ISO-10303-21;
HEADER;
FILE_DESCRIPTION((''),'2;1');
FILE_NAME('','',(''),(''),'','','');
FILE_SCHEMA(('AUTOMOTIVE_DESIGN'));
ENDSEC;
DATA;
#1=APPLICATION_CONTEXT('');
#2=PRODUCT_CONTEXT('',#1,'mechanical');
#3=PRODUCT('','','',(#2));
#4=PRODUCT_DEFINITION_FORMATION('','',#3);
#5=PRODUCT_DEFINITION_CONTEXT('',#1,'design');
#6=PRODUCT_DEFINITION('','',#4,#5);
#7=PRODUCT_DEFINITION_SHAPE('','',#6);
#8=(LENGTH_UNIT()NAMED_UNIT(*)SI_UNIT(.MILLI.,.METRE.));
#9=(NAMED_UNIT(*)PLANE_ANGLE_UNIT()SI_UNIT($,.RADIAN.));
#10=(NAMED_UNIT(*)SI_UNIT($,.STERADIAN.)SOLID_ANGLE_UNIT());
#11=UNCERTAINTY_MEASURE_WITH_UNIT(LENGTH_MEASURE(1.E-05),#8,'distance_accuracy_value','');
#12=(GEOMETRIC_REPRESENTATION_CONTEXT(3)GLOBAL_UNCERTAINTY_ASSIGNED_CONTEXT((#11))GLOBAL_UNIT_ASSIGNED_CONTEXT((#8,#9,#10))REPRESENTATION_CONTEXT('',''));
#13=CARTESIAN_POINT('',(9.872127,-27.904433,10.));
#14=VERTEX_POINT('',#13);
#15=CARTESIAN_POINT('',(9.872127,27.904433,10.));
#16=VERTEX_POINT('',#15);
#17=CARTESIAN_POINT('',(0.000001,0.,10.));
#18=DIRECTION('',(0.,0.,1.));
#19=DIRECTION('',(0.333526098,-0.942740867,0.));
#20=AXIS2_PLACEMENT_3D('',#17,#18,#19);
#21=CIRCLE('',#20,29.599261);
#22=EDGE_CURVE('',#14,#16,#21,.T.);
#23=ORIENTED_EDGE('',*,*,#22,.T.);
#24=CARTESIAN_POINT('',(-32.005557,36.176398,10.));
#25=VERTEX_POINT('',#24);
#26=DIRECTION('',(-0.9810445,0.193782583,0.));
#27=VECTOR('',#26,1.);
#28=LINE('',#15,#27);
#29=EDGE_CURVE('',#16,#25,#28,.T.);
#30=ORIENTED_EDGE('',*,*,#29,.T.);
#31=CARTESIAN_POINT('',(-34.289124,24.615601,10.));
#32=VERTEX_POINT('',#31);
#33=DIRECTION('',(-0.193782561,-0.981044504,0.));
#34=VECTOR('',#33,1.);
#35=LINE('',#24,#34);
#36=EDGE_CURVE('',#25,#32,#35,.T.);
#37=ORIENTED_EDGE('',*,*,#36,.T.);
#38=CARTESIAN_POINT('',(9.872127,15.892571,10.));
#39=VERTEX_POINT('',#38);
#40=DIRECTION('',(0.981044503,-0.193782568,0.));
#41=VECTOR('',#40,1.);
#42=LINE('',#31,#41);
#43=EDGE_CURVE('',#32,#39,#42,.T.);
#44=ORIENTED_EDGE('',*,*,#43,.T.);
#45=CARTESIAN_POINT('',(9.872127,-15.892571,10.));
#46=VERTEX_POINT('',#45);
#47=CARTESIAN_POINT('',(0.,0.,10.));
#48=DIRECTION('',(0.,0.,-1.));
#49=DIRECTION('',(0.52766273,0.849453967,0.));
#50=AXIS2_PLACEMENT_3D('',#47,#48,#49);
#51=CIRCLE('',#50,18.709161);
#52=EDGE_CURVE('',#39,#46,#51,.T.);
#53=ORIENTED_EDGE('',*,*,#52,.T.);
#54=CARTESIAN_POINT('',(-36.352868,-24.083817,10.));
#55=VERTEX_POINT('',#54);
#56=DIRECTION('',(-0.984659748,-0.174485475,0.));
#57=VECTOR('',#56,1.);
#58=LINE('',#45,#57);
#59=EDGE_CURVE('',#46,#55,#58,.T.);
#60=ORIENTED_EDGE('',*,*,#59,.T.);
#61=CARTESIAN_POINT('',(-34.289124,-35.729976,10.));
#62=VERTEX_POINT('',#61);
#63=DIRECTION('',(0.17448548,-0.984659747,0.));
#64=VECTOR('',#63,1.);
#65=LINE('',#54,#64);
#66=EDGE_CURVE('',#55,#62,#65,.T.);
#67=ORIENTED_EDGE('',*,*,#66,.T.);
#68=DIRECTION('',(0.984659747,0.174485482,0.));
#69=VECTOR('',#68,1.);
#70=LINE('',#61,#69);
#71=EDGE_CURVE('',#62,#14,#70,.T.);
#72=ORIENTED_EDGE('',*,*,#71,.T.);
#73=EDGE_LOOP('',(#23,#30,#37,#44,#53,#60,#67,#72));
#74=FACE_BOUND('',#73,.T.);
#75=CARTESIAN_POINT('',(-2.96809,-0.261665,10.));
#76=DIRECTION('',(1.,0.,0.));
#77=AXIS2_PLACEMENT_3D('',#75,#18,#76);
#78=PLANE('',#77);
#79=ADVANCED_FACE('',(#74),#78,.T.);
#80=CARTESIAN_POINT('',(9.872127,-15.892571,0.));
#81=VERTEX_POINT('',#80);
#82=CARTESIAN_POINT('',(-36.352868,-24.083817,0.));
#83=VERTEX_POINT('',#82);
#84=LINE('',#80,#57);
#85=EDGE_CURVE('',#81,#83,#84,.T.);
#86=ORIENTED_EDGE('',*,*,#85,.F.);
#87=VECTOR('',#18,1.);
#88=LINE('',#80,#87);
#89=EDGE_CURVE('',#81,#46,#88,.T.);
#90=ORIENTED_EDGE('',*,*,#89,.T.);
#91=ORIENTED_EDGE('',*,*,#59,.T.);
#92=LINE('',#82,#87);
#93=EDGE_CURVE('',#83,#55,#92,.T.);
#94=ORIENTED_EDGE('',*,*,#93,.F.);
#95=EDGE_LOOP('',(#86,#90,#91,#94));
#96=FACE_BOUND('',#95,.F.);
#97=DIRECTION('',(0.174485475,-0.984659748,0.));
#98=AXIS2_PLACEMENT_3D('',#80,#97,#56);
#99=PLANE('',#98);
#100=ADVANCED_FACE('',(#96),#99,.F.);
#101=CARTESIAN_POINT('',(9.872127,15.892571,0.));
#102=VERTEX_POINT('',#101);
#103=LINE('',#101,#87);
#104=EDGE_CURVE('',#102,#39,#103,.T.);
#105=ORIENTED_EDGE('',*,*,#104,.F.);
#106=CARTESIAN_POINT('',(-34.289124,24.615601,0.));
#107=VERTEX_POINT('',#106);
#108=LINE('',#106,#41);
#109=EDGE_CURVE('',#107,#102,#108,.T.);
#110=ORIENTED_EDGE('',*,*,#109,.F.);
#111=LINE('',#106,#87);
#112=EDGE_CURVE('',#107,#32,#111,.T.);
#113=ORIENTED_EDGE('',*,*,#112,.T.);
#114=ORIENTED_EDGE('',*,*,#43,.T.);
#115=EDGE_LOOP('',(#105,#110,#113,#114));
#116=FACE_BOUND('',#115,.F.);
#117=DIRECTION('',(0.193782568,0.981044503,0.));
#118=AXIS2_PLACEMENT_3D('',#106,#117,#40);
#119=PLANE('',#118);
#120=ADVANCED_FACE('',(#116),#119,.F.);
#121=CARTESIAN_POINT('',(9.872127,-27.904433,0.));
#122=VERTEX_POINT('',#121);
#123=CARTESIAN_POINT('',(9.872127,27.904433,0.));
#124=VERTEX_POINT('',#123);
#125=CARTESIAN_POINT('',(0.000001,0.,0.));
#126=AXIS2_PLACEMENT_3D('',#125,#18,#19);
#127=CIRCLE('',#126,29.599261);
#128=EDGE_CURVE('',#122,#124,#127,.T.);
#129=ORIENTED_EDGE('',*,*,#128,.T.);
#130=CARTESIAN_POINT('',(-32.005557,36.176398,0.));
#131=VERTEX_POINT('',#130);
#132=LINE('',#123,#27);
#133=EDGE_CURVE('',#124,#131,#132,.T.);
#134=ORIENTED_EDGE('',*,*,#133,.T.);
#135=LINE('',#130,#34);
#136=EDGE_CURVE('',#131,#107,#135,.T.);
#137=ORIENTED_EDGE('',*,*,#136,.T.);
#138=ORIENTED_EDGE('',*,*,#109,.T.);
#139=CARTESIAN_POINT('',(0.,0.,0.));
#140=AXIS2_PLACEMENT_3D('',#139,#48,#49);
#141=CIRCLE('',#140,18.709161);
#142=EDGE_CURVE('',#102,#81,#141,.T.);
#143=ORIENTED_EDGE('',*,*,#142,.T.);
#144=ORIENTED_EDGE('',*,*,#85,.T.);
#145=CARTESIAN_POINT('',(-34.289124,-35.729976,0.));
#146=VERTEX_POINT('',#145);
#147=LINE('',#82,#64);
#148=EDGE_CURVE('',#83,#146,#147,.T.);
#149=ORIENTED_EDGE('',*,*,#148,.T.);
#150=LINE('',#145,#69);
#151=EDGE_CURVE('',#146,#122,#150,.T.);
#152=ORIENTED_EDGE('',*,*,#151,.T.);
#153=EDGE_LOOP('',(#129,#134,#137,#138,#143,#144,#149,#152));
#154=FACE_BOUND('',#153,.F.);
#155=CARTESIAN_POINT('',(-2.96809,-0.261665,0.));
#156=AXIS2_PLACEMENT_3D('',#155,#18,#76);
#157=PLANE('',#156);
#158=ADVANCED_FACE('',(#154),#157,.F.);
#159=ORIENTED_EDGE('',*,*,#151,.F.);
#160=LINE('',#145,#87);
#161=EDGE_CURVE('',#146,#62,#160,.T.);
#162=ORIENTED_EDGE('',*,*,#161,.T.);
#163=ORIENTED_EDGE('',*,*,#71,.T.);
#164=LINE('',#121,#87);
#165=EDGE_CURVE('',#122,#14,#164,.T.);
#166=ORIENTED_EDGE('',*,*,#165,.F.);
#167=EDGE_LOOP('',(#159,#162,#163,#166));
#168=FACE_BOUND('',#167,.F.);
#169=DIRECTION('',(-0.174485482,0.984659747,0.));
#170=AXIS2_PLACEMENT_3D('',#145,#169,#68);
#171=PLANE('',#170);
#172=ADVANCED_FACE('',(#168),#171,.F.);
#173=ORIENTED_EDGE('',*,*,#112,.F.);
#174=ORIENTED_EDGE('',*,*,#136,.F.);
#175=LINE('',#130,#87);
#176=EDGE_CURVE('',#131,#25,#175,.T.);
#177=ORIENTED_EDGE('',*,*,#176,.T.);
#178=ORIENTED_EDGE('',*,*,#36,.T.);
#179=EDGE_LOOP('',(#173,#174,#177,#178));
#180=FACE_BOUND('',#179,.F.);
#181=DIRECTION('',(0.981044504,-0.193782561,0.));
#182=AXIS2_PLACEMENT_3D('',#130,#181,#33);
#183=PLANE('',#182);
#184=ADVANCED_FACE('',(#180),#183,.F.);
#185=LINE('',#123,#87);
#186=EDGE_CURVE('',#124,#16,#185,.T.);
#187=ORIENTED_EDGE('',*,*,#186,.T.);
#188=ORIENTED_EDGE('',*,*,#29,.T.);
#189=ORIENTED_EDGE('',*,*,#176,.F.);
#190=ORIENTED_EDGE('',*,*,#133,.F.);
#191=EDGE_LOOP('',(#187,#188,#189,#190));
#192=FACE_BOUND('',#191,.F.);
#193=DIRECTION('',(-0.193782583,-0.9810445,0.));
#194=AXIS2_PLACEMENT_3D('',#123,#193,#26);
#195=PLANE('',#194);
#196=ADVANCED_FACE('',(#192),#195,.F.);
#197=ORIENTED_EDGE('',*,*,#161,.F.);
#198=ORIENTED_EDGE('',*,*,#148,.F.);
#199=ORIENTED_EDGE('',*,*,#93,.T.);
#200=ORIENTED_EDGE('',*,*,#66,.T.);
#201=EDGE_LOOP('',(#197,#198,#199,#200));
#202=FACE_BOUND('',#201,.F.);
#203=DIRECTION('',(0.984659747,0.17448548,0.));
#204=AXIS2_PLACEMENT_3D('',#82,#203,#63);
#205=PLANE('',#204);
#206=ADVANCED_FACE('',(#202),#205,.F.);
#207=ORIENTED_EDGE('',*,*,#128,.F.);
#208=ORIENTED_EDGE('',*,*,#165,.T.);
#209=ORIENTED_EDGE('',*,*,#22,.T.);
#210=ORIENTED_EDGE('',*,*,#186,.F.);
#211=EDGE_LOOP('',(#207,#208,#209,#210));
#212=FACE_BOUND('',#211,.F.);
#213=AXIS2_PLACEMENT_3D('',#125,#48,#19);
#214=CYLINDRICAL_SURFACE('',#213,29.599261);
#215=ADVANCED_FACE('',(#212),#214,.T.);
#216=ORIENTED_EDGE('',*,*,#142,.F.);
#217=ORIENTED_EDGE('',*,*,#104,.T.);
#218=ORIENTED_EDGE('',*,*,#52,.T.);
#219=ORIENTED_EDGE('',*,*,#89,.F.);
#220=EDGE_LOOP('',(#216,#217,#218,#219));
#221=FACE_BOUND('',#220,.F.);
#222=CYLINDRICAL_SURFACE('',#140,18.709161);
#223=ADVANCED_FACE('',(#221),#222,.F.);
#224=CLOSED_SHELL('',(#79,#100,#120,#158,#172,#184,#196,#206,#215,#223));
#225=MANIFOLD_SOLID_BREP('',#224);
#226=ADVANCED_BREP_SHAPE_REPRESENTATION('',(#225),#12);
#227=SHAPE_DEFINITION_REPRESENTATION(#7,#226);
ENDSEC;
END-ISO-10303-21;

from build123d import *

# Parameters (mm, degrees)
F1_DEPTH = 10


with BuildPart() as f1:
    # F0 (on Top) → F1 (new body)
    with BuildSketch(Plane.XY):
        with BuildLine():
            Line((-34.289124, -35.729976), (9.872127, -27.904433))
            ThreePointArc((9.872127, -27.904433), (29.599262, 0), (9.872127, 27.904433))
            Line((9.872127, 27.904433), (-32.005557, 36.176398))
            Line((-32.005557, 36.176398), (-34.289124, 24.615601))
            Line((-34.289124, 24.615601), (9.872127, 15.892571))
            ThreePointArc((9.872127, 15.892571), (18.709161, 0), (9.872127, -15.892571))
            Line((9.872127, -15.892571), (-36.352868, -24.083817))
            Line((-36.352868, -24.083817), (-34.289124, -35.729976))
        make_face()
    extrude(amount=F1_DEPTH)


solid = f1.part
